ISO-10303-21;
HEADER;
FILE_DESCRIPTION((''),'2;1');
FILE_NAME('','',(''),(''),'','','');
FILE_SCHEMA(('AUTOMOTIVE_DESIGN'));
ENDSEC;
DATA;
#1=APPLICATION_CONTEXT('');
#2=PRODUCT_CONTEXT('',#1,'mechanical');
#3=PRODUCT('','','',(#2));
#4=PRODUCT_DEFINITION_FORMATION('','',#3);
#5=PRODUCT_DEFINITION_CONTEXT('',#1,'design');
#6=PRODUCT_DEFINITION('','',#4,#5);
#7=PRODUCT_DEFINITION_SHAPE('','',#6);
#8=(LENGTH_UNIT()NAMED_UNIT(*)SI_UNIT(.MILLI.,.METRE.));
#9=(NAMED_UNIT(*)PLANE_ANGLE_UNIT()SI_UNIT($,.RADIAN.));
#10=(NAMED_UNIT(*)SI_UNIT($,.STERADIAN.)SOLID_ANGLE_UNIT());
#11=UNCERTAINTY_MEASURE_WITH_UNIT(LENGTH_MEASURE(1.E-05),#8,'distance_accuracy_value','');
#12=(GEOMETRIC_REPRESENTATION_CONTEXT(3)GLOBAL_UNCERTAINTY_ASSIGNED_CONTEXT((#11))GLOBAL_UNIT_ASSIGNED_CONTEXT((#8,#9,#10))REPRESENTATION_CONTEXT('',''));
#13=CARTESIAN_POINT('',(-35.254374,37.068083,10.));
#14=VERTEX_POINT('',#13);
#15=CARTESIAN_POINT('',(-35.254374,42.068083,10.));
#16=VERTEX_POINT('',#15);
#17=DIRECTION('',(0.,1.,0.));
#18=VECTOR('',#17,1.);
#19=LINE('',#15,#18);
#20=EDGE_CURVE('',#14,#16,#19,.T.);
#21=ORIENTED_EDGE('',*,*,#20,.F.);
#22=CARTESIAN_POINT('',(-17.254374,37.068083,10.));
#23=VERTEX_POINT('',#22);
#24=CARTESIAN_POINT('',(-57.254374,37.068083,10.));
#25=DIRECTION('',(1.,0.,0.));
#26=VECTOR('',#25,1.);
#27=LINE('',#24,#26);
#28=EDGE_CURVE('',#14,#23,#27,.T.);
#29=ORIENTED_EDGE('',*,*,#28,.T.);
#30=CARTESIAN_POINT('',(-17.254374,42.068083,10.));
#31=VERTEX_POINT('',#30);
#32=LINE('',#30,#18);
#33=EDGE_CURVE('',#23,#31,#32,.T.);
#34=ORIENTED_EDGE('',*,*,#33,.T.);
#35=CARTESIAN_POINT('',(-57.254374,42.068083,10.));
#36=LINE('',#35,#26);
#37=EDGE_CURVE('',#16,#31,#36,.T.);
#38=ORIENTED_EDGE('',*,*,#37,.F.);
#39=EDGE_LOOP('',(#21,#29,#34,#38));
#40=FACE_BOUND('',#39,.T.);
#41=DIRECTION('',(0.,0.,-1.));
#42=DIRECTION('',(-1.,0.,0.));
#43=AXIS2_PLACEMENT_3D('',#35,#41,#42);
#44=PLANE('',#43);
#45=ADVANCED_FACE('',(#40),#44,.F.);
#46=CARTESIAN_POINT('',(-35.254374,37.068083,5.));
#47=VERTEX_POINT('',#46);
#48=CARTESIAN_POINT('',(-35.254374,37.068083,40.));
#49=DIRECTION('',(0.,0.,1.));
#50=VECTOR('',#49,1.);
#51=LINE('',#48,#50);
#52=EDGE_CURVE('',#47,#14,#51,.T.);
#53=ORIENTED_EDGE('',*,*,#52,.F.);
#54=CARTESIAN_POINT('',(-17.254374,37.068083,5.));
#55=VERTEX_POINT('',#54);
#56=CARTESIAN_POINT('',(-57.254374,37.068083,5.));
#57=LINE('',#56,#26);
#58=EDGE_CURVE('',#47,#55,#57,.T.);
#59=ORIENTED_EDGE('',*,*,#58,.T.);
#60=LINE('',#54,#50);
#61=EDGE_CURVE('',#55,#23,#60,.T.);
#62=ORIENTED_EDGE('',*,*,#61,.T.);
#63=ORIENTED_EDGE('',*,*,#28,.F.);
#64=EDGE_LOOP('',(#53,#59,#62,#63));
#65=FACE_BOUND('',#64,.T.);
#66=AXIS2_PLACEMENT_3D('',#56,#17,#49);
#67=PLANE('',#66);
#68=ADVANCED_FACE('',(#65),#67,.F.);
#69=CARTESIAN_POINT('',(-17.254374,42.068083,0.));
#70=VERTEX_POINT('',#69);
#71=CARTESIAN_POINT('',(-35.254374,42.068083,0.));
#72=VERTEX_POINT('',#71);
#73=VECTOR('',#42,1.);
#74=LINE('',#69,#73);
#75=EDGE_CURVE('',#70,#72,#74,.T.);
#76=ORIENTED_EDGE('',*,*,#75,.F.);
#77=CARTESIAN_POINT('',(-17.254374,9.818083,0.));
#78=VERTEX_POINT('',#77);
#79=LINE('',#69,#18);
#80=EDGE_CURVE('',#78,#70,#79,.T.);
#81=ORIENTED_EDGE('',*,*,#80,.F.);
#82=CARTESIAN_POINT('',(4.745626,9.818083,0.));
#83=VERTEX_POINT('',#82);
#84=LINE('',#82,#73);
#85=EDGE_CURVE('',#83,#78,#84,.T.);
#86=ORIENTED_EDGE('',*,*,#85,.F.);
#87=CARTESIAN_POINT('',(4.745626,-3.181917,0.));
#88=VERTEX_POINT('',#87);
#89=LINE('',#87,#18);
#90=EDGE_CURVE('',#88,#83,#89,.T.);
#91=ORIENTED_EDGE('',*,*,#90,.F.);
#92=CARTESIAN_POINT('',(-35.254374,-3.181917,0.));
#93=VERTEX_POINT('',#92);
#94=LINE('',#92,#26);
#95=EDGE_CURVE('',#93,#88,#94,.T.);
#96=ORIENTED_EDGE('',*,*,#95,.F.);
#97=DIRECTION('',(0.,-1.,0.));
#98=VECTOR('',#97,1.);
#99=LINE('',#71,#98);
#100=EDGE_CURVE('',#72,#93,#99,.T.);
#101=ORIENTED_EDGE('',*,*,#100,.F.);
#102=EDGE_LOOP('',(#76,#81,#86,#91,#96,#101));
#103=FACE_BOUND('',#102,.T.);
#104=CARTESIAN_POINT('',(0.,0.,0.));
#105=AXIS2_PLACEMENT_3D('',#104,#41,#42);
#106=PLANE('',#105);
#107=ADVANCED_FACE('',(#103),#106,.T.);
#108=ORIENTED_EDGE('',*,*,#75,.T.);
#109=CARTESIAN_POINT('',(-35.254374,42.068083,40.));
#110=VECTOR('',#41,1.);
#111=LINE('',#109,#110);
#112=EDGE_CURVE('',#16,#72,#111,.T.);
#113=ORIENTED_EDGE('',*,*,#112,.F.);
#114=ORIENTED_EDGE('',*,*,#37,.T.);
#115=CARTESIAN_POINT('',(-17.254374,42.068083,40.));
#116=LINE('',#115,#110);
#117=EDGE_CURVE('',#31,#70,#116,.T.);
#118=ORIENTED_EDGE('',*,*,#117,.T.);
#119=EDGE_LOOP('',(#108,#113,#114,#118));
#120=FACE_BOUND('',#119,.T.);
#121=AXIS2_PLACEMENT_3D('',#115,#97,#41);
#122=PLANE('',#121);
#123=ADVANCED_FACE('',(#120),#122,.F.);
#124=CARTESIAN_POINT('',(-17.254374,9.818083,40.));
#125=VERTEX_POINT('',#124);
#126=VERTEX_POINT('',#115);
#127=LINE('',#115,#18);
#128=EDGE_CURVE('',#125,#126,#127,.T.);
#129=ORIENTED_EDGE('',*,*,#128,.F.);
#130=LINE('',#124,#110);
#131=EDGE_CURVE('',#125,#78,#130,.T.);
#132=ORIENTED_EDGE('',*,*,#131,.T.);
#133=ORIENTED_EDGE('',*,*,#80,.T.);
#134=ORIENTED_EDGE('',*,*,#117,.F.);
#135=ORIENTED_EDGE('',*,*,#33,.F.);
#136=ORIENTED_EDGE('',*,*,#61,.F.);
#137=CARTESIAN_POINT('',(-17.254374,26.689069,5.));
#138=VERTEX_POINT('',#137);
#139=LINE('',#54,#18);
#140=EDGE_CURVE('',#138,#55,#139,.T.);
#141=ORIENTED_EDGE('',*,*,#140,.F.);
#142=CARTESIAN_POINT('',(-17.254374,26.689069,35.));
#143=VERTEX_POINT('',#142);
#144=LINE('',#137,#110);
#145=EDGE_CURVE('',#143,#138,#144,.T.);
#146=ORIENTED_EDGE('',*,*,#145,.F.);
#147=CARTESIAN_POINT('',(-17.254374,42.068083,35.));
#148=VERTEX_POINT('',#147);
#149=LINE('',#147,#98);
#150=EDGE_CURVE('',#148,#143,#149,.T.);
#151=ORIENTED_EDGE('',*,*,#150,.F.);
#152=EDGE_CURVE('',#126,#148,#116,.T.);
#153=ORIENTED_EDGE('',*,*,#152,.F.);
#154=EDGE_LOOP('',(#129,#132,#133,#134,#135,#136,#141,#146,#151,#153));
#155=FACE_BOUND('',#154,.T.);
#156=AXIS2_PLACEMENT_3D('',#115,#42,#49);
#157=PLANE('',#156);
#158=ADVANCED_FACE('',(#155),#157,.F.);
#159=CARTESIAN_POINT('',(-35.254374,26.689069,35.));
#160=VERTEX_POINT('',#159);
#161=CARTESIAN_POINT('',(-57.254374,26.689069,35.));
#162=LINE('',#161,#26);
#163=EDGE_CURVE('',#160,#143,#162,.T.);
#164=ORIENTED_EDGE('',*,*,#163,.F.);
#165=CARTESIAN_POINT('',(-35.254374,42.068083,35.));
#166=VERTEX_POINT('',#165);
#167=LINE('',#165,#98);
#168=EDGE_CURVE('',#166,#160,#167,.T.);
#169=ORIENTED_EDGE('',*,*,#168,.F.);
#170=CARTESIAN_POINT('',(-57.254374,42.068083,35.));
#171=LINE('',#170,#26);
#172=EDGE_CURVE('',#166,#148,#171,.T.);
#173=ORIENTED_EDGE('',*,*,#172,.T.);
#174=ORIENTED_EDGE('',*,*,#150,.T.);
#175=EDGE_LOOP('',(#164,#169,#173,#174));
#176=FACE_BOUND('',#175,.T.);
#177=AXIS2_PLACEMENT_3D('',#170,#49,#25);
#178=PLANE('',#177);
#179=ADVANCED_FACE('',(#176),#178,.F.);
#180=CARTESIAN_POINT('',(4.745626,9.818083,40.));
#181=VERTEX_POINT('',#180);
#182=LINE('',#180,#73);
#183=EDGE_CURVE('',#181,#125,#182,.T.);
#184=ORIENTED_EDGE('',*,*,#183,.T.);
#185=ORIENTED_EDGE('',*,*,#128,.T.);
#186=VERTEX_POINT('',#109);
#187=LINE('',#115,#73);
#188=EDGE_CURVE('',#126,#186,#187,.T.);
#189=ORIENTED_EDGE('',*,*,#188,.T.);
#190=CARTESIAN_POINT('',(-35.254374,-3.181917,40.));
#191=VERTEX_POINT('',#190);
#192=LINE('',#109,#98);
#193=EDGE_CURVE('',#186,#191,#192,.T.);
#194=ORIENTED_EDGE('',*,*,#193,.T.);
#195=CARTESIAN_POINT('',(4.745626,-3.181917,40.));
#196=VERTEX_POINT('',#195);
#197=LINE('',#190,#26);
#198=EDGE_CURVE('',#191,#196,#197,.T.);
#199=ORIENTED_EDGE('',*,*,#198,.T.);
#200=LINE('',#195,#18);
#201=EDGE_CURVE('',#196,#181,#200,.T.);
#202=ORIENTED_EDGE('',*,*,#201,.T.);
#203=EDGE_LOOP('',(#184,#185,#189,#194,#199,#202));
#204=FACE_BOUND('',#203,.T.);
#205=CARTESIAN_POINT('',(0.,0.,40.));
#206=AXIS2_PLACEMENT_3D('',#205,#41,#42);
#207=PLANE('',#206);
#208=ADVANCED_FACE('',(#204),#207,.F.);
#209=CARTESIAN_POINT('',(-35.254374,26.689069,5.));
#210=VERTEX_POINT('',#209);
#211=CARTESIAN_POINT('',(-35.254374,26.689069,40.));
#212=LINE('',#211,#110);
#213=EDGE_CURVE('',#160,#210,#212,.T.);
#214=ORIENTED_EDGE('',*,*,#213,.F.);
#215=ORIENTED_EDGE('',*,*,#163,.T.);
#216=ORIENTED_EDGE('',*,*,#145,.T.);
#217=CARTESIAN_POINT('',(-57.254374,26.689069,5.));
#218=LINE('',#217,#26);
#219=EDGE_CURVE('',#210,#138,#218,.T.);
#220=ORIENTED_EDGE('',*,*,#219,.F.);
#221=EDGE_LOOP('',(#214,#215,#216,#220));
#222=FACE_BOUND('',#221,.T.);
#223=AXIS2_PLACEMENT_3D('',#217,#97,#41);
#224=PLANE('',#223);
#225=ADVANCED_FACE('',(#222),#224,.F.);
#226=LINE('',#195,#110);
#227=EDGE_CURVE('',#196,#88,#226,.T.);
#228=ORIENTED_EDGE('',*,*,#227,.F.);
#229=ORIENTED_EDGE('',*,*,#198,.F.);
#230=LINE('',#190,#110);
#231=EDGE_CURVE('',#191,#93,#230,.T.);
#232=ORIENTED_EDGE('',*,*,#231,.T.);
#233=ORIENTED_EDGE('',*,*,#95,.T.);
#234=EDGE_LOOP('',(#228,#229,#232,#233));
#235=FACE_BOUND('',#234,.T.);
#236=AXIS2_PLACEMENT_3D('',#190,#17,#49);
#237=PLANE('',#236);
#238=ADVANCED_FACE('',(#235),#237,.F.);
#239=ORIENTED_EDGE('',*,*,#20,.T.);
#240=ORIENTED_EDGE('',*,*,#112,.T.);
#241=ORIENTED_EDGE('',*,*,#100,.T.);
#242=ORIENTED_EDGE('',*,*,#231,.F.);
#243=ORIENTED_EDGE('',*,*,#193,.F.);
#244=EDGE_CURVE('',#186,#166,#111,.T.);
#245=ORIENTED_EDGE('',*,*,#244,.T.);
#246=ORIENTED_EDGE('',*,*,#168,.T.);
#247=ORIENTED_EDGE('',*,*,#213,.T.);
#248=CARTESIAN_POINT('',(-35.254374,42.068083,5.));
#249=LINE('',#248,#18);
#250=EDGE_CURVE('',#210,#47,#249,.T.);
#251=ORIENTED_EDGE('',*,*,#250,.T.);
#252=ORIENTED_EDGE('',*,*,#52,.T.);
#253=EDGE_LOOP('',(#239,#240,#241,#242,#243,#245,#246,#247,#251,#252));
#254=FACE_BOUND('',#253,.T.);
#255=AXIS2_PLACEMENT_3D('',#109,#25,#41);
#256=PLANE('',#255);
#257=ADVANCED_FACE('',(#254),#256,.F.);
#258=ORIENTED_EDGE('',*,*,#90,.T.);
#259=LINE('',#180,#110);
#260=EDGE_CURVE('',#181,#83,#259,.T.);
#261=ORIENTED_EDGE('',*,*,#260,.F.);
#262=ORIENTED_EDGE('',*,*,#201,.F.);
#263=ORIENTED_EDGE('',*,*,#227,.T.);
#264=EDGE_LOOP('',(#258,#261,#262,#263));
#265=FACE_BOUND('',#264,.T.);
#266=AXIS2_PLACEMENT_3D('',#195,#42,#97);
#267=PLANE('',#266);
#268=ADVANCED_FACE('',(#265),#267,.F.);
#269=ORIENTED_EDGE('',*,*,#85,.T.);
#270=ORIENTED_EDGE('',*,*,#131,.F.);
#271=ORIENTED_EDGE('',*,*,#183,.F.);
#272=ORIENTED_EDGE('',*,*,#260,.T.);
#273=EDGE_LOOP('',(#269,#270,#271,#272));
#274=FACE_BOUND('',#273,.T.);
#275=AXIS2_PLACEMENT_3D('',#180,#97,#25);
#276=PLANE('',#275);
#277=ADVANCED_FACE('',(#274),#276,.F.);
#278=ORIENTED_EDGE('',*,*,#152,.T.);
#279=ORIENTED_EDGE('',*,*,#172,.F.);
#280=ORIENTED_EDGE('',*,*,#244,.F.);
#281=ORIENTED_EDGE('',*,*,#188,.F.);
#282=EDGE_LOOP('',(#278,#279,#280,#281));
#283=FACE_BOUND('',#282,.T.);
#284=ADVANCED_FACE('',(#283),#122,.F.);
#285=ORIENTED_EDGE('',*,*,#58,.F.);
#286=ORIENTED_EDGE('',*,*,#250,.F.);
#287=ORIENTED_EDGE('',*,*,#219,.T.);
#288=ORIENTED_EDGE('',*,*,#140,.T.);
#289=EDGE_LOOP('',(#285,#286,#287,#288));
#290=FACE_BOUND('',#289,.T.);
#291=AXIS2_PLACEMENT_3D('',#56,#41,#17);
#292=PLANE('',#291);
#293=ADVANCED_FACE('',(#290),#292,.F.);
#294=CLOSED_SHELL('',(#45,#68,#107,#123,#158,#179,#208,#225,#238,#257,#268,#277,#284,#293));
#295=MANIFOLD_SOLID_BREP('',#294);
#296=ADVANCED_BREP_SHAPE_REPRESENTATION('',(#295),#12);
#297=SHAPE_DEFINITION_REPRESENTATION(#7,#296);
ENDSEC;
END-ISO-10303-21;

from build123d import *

# Parameters (mm, degrees)
BOSS_EXTRUDE1_DEPTH = 40
SKETCH2_W           = 25
SKETCH2_H           = 5
CUT_EXTRUDE1_DEPTH  = 40
SKETCH3_W           = 30
SKETCH3_H           = 10.379013983
CUT_EXTRUDE2_DEPTH  = 40


with BuildPart() as part:
    # Sketch1 → Boss-Extrude1 (new body)
    with BuildSketch(Plane.XY):
        Polygon((-17.254373504, 42.068083371), (-35.254373504, 42.068083371), (-35.254373504, -3.181916629), (4.745626496, -3.181916629), (4.745626496, 9.818083371), (-17.254373504, 9.818083371), align=None)
    extrude(amount=BOSS_EXTRUDE1_DEPTH)

    # Sketch2 → Cut-Extrude1 (cut)
    with BuildSketch(Plane(origin=(-17.254373504, 0, 0), x_dir=(0, 0, -1), z_dir=(1, 0, 0))):
        with Locations((-22.5, 39.568083371)):
            Rectangle(SKETCH2_W, SKETCH2_H)
    extrude(amount=-CUT_EXTRUDE1_DEPTH, mode=Mode.SUBTRACT)

    # Sketch3 → Cut-Extrude2 (cut)
    with BuildSketch(Plane(origin=(-17.254373504, 0, 0), x_dir=(0, 0, -1), z_dir=(1, 0, 0))):
        with Locations((-20, 31.87857638)):
            Rectangle(SKETCH3_W, SKETCH3_H)
    extrude(amount=-CUT_EXTRUDE2_DEPTH, mode=Mode.SUBTRACT)


solid = part.part
